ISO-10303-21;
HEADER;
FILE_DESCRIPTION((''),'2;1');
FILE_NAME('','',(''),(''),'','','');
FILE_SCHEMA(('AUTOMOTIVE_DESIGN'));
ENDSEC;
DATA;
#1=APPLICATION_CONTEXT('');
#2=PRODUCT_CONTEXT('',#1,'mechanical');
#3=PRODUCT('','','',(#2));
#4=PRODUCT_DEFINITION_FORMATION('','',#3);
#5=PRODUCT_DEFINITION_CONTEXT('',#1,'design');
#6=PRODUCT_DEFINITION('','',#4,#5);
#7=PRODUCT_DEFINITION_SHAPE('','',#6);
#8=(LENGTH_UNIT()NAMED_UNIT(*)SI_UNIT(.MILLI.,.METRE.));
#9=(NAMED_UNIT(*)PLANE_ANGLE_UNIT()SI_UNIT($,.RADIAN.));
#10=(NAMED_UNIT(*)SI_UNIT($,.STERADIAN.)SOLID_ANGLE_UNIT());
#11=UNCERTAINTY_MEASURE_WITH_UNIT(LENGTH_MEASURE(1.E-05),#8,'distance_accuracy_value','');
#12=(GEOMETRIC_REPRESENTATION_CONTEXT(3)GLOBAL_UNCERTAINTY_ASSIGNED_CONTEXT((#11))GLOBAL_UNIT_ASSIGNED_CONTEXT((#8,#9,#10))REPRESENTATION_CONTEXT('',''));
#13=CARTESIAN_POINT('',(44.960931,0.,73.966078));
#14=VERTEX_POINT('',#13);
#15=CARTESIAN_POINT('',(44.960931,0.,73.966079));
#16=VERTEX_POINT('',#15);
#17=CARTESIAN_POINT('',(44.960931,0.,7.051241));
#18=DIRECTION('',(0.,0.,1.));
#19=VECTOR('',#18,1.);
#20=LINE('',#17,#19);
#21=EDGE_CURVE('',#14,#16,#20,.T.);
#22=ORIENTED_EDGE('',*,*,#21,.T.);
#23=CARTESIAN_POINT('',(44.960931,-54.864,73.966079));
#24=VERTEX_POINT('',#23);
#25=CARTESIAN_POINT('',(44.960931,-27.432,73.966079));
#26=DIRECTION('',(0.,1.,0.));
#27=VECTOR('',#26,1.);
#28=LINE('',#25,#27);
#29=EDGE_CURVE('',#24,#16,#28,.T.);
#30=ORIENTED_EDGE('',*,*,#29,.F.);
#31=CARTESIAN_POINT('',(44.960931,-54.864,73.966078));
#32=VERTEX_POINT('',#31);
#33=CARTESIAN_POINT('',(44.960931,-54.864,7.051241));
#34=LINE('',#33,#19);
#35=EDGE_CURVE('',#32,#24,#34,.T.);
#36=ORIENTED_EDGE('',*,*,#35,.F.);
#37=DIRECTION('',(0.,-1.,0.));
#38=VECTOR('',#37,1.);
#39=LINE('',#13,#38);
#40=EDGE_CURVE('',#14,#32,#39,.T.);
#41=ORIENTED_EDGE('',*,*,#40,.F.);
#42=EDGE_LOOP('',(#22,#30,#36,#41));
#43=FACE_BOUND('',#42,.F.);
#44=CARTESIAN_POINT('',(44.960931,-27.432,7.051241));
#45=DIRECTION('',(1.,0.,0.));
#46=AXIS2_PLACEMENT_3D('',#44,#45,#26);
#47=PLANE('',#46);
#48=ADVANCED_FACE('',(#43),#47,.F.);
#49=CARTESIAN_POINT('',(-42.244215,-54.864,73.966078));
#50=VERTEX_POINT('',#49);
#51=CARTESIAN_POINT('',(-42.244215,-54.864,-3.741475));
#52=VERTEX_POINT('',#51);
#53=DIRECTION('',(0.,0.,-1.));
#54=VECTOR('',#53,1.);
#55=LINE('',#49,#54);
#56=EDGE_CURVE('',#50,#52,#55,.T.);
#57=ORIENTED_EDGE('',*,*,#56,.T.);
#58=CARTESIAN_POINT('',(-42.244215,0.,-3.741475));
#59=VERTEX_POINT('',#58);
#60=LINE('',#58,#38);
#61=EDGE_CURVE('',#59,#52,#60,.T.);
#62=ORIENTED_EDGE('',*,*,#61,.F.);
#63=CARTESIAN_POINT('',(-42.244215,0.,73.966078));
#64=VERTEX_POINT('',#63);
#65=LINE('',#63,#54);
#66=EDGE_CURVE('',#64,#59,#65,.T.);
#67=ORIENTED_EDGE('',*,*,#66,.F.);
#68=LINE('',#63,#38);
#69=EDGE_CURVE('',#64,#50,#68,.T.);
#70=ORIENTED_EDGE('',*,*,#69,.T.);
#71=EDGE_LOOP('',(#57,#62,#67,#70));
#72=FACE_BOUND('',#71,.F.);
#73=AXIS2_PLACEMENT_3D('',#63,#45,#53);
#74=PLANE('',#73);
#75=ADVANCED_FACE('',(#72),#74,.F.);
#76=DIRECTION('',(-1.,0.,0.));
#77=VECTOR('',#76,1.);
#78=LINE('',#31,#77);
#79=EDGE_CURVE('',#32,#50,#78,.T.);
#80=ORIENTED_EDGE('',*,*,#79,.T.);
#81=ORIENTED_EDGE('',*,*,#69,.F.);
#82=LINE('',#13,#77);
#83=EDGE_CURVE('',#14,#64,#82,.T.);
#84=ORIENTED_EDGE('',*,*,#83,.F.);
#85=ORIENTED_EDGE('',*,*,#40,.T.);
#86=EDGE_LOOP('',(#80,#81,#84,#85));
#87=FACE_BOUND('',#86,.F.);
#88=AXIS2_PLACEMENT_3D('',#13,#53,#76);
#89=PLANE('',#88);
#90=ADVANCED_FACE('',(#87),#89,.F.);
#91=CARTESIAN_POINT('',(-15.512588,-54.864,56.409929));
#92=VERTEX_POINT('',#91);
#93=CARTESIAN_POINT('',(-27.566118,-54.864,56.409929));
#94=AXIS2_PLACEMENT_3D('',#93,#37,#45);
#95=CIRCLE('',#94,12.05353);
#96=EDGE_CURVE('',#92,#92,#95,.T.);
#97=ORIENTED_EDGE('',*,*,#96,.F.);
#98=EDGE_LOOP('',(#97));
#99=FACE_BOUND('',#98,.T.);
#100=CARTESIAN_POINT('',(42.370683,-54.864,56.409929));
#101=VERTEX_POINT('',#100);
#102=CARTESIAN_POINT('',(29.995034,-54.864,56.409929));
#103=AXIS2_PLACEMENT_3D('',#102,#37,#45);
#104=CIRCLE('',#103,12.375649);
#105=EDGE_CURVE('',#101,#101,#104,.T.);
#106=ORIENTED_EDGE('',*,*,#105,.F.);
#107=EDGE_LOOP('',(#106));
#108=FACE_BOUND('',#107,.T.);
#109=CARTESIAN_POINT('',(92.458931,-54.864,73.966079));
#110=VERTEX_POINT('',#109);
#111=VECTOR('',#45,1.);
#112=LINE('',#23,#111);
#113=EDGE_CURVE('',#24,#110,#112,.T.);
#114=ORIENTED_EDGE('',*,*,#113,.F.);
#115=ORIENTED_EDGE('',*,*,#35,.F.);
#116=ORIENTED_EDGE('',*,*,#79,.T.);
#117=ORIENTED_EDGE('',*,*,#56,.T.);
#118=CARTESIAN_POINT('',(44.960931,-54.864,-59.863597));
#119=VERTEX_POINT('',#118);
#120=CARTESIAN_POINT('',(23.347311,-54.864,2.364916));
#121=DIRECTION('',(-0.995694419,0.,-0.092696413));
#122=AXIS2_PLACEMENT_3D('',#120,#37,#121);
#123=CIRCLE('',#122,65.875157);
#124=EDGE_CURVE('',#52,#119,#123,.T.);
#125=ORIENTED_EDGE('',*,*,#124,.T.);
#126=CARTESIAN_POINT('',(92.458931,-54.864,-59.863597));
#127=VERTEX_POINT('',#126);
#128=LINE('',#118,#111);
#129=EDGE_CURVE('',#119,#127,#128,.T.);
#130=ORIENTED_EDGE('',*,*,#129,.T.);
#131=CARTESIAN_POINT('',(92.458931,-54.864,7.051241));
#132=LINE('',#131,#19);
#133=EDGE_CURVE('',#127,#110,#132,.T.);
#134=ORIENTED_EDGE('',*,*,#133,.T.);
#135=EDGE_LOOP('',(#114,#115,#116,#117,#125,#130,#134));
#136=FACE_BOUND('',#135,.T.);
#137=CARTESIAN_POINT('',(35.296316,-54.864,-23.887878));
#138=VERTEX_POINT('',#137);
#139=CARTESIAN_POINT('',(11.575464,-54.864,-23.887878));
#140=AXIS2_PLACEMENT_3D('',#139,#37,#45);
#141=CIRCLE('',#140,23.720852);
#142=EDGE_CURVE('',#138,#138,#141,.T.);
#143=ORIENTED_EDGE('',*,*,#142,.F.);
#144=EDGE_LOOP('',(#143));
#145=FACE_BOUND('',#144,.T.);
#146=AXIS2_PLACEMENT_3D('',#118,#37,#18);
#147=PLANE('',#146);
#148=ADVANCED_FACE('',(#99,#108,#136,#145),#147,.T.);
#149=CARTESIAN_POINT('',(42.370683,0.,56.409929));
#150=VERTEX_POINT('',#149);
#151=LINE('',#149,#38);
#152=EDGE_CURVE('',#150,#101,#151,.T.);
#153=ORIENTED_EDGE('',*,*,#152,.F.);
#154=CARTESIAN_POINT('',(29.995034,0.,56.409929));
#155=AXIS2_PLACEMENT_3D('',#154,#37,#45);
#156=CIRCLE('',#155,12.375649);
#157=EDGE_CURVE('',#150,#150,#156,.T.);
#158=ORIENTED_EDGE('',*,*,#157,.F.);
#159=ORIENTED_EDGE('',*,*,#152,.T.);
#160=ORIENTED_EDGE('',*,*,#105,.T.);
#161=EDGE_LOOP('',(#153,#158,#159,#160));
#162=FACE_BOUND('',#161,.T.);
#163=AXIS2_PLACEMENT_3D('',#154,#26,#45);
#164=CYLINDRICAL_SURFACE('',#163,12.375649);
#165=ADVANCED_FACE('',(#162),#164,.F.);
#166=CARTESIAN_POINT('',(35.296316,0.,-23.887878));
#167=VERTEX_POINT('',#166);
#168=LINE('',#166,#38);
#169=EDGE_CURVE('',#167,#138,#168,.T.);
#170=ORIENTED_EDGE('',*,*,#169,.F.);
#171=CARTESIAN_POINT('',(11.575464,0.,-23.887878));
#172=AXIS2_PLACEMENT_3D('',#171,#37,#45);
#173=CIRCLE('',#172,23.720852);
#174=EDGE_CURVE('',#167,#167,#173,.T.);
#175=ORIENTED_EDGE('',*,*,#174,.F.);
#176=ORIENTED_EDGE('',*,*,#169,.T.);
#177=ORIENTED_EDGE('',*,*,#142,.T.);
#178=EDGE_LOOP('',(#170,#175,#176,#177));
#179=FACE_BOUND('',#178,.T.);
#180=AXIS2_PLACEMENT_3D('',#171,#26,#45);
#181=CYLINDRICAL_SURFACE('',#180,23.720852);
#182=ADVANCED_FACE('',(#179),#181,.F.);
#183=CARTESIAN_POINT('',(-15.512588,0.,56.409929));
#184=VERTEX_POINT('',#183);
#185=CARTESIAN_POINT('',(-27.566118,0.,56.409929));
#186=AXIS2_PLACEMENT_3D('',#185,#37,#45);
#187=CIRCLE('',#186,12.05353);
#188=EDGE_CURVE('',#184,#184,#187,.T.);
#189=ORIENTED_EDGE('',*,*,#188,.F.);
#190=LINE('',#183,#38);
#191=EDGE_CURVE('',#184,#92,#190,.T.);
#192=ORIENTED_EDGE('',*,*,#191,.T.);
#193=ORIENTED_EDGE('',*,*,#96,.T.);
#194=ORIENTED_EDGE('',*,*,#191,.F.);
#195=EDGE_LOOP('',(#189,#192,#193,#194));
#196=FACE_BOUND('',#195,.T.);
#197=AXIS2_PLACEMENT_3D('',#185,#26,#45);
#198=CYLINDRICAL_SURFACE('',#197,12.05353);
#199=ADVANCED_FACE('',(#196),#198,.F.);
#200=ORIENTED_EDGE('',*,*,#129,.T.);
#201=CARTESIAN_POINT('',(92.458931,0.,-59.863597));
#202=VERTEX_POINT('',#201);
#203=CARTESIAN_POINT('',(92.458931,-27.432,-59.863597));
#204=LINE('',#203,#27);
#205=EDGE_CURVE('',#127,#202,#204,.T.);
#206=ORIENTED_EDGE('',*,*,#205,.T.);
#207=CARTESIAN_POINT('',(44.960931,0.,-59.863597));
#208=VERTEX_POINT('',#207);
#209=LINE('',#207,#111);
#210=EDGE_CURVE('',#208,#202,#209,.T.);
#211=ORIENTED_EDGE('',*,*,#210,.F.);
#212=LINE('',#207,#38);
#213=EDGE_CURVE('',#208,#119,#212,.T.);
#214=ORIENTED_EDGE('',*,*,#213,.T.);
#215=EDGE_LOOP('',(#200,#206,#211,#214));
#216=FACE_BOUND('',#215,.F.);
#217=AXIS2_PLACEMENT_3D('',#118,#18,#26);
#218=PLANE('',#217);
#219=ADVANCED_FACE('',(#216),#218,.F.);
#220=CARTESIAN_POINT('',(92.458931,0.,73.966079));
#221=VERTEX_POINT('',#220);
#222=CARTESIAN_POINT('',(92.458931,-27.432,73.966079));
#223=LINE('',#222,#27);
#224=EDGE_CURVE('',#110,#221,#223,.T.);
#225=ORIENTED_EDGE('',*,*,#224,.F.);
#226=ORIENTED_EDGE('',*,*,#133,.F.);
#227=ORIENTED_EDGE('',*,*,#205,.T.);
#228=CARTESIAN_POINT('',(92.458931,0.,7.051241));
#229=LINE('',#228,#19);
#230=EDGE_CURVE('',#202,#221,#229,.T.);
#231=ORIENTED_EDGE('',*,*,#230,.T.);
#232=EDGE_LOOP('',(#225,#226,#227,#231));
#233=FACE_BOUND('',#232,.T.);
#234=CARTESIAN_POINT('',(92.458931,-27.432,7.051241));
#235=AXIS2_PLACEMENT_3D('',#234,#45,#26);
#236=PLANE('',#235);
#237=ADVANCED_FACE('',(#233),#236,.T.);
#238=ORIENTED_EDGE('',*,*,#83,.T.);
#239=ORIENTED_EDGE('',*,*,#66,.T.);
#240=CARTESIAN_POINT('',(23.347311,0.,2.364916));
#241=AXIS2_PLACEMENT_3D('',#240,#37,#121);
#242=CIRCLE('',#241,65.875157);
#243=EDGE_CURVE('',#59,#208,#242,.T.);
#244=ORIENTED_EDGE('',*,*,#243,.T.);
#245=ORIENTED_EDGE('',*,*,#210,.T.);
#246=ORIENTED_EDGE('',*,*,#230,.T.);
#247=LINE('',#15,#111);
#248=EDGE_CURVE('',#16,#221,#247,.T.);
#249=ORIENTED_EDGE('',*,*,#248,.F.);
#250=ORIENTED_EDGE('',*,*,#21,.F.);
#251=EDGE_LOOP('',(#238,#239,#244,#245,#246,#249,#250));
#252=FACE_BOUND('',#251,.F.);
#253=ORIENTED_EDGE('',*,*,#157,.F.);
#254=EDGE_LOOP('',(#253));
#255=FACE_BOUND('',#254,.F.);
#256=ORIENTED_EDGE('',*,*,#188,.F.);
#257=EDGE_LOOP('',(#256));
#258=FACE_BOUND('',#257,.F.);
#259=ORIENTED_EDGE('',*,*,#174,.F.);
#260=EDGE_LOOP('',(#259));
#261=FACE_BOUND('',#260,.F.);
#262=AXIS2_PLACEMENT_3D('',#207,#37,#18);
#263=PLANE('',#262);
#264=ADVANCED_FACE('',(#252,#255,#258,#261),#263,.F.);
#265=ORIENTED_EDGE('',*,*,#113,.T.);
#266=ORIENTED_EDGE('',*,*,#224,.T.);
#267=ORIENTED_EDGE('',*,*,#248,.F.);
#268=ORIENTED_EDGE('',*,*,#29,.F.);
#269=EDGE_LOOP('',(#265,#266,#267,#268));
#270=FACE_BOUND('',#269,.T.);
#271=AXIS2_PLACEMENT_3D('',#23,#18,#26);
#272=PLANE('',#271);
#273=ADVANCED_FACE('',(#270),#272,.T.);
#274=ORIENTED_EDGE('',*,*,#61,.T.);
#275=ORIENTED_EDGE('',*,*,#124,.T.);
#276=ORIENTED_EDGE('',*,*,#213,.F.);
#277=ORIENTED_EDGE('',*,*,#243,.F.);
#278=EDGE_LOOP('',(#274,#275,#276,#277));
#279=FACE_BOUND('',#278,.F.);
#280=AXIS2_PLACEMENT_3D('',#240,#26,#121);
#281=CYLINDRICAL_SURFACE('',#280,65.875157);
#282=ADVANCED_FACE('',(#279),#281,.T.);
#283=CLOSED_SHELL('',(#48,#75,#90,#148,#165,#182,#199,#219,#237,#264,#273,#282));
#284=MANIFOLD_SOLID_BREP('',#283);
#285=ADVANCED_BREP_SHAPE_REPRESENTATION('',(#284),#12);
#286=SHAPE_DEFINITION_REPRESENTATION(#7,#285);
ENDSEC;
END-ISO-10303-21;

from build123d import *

# Parameters (mm, degrees)
F0_R      = 23.720852
F0_R_2    = 12.05353
F0_R_3    = 12.375649
F1_DEPTH  = 54.864
F1_FACE_W = 54.864
F1_FACE_H = 133.829676
F2_DEPTH  = 47.498


with BuildPart() as f1:
    # F0 (on Front) → F1 (new body)
    with BuildSketch(Plane.XZ):
        with BuildLine():
            Line((44.960931, 73.966078), (-42.244215, 73.966078))
            Line((-42.244215, 73.966078), (-42.244215, -3.741475))
            ThreePointArc((-42.244215, -3.741475), (-12.302895, -53.030022), (44.960931, -59.863597))
            Line((44.960931, -59.863597), (44.960931, 73.966078))
        make_face()
        with Locations((11.575464, -23.887878)):
            Circle(F0_R, mode=Mode.SUBTRACT)
        with Locations((-27.566118, 56.409929)):
            Circle(F0_R_2, mode=Mode.SUBTRACT)
        with Locations((29.995034, 56.409929)):
            Circle(F0_R_3, mode=Mode.SUBTRACT)
    extrude(amount=F1_DEPTH)

    # F1_face (on face) → F2 (join)
    with BuildSketch(Plane(origin=(44.960931, -27.432, 7.051241), x_dir=(0, 1, 0), z_dir=(1, 0, 0))):
        Rectangle(F1_FACE_W, F1_FACE_H)
    extrude(amount=F2_DEPTH)


solid = f1.part
